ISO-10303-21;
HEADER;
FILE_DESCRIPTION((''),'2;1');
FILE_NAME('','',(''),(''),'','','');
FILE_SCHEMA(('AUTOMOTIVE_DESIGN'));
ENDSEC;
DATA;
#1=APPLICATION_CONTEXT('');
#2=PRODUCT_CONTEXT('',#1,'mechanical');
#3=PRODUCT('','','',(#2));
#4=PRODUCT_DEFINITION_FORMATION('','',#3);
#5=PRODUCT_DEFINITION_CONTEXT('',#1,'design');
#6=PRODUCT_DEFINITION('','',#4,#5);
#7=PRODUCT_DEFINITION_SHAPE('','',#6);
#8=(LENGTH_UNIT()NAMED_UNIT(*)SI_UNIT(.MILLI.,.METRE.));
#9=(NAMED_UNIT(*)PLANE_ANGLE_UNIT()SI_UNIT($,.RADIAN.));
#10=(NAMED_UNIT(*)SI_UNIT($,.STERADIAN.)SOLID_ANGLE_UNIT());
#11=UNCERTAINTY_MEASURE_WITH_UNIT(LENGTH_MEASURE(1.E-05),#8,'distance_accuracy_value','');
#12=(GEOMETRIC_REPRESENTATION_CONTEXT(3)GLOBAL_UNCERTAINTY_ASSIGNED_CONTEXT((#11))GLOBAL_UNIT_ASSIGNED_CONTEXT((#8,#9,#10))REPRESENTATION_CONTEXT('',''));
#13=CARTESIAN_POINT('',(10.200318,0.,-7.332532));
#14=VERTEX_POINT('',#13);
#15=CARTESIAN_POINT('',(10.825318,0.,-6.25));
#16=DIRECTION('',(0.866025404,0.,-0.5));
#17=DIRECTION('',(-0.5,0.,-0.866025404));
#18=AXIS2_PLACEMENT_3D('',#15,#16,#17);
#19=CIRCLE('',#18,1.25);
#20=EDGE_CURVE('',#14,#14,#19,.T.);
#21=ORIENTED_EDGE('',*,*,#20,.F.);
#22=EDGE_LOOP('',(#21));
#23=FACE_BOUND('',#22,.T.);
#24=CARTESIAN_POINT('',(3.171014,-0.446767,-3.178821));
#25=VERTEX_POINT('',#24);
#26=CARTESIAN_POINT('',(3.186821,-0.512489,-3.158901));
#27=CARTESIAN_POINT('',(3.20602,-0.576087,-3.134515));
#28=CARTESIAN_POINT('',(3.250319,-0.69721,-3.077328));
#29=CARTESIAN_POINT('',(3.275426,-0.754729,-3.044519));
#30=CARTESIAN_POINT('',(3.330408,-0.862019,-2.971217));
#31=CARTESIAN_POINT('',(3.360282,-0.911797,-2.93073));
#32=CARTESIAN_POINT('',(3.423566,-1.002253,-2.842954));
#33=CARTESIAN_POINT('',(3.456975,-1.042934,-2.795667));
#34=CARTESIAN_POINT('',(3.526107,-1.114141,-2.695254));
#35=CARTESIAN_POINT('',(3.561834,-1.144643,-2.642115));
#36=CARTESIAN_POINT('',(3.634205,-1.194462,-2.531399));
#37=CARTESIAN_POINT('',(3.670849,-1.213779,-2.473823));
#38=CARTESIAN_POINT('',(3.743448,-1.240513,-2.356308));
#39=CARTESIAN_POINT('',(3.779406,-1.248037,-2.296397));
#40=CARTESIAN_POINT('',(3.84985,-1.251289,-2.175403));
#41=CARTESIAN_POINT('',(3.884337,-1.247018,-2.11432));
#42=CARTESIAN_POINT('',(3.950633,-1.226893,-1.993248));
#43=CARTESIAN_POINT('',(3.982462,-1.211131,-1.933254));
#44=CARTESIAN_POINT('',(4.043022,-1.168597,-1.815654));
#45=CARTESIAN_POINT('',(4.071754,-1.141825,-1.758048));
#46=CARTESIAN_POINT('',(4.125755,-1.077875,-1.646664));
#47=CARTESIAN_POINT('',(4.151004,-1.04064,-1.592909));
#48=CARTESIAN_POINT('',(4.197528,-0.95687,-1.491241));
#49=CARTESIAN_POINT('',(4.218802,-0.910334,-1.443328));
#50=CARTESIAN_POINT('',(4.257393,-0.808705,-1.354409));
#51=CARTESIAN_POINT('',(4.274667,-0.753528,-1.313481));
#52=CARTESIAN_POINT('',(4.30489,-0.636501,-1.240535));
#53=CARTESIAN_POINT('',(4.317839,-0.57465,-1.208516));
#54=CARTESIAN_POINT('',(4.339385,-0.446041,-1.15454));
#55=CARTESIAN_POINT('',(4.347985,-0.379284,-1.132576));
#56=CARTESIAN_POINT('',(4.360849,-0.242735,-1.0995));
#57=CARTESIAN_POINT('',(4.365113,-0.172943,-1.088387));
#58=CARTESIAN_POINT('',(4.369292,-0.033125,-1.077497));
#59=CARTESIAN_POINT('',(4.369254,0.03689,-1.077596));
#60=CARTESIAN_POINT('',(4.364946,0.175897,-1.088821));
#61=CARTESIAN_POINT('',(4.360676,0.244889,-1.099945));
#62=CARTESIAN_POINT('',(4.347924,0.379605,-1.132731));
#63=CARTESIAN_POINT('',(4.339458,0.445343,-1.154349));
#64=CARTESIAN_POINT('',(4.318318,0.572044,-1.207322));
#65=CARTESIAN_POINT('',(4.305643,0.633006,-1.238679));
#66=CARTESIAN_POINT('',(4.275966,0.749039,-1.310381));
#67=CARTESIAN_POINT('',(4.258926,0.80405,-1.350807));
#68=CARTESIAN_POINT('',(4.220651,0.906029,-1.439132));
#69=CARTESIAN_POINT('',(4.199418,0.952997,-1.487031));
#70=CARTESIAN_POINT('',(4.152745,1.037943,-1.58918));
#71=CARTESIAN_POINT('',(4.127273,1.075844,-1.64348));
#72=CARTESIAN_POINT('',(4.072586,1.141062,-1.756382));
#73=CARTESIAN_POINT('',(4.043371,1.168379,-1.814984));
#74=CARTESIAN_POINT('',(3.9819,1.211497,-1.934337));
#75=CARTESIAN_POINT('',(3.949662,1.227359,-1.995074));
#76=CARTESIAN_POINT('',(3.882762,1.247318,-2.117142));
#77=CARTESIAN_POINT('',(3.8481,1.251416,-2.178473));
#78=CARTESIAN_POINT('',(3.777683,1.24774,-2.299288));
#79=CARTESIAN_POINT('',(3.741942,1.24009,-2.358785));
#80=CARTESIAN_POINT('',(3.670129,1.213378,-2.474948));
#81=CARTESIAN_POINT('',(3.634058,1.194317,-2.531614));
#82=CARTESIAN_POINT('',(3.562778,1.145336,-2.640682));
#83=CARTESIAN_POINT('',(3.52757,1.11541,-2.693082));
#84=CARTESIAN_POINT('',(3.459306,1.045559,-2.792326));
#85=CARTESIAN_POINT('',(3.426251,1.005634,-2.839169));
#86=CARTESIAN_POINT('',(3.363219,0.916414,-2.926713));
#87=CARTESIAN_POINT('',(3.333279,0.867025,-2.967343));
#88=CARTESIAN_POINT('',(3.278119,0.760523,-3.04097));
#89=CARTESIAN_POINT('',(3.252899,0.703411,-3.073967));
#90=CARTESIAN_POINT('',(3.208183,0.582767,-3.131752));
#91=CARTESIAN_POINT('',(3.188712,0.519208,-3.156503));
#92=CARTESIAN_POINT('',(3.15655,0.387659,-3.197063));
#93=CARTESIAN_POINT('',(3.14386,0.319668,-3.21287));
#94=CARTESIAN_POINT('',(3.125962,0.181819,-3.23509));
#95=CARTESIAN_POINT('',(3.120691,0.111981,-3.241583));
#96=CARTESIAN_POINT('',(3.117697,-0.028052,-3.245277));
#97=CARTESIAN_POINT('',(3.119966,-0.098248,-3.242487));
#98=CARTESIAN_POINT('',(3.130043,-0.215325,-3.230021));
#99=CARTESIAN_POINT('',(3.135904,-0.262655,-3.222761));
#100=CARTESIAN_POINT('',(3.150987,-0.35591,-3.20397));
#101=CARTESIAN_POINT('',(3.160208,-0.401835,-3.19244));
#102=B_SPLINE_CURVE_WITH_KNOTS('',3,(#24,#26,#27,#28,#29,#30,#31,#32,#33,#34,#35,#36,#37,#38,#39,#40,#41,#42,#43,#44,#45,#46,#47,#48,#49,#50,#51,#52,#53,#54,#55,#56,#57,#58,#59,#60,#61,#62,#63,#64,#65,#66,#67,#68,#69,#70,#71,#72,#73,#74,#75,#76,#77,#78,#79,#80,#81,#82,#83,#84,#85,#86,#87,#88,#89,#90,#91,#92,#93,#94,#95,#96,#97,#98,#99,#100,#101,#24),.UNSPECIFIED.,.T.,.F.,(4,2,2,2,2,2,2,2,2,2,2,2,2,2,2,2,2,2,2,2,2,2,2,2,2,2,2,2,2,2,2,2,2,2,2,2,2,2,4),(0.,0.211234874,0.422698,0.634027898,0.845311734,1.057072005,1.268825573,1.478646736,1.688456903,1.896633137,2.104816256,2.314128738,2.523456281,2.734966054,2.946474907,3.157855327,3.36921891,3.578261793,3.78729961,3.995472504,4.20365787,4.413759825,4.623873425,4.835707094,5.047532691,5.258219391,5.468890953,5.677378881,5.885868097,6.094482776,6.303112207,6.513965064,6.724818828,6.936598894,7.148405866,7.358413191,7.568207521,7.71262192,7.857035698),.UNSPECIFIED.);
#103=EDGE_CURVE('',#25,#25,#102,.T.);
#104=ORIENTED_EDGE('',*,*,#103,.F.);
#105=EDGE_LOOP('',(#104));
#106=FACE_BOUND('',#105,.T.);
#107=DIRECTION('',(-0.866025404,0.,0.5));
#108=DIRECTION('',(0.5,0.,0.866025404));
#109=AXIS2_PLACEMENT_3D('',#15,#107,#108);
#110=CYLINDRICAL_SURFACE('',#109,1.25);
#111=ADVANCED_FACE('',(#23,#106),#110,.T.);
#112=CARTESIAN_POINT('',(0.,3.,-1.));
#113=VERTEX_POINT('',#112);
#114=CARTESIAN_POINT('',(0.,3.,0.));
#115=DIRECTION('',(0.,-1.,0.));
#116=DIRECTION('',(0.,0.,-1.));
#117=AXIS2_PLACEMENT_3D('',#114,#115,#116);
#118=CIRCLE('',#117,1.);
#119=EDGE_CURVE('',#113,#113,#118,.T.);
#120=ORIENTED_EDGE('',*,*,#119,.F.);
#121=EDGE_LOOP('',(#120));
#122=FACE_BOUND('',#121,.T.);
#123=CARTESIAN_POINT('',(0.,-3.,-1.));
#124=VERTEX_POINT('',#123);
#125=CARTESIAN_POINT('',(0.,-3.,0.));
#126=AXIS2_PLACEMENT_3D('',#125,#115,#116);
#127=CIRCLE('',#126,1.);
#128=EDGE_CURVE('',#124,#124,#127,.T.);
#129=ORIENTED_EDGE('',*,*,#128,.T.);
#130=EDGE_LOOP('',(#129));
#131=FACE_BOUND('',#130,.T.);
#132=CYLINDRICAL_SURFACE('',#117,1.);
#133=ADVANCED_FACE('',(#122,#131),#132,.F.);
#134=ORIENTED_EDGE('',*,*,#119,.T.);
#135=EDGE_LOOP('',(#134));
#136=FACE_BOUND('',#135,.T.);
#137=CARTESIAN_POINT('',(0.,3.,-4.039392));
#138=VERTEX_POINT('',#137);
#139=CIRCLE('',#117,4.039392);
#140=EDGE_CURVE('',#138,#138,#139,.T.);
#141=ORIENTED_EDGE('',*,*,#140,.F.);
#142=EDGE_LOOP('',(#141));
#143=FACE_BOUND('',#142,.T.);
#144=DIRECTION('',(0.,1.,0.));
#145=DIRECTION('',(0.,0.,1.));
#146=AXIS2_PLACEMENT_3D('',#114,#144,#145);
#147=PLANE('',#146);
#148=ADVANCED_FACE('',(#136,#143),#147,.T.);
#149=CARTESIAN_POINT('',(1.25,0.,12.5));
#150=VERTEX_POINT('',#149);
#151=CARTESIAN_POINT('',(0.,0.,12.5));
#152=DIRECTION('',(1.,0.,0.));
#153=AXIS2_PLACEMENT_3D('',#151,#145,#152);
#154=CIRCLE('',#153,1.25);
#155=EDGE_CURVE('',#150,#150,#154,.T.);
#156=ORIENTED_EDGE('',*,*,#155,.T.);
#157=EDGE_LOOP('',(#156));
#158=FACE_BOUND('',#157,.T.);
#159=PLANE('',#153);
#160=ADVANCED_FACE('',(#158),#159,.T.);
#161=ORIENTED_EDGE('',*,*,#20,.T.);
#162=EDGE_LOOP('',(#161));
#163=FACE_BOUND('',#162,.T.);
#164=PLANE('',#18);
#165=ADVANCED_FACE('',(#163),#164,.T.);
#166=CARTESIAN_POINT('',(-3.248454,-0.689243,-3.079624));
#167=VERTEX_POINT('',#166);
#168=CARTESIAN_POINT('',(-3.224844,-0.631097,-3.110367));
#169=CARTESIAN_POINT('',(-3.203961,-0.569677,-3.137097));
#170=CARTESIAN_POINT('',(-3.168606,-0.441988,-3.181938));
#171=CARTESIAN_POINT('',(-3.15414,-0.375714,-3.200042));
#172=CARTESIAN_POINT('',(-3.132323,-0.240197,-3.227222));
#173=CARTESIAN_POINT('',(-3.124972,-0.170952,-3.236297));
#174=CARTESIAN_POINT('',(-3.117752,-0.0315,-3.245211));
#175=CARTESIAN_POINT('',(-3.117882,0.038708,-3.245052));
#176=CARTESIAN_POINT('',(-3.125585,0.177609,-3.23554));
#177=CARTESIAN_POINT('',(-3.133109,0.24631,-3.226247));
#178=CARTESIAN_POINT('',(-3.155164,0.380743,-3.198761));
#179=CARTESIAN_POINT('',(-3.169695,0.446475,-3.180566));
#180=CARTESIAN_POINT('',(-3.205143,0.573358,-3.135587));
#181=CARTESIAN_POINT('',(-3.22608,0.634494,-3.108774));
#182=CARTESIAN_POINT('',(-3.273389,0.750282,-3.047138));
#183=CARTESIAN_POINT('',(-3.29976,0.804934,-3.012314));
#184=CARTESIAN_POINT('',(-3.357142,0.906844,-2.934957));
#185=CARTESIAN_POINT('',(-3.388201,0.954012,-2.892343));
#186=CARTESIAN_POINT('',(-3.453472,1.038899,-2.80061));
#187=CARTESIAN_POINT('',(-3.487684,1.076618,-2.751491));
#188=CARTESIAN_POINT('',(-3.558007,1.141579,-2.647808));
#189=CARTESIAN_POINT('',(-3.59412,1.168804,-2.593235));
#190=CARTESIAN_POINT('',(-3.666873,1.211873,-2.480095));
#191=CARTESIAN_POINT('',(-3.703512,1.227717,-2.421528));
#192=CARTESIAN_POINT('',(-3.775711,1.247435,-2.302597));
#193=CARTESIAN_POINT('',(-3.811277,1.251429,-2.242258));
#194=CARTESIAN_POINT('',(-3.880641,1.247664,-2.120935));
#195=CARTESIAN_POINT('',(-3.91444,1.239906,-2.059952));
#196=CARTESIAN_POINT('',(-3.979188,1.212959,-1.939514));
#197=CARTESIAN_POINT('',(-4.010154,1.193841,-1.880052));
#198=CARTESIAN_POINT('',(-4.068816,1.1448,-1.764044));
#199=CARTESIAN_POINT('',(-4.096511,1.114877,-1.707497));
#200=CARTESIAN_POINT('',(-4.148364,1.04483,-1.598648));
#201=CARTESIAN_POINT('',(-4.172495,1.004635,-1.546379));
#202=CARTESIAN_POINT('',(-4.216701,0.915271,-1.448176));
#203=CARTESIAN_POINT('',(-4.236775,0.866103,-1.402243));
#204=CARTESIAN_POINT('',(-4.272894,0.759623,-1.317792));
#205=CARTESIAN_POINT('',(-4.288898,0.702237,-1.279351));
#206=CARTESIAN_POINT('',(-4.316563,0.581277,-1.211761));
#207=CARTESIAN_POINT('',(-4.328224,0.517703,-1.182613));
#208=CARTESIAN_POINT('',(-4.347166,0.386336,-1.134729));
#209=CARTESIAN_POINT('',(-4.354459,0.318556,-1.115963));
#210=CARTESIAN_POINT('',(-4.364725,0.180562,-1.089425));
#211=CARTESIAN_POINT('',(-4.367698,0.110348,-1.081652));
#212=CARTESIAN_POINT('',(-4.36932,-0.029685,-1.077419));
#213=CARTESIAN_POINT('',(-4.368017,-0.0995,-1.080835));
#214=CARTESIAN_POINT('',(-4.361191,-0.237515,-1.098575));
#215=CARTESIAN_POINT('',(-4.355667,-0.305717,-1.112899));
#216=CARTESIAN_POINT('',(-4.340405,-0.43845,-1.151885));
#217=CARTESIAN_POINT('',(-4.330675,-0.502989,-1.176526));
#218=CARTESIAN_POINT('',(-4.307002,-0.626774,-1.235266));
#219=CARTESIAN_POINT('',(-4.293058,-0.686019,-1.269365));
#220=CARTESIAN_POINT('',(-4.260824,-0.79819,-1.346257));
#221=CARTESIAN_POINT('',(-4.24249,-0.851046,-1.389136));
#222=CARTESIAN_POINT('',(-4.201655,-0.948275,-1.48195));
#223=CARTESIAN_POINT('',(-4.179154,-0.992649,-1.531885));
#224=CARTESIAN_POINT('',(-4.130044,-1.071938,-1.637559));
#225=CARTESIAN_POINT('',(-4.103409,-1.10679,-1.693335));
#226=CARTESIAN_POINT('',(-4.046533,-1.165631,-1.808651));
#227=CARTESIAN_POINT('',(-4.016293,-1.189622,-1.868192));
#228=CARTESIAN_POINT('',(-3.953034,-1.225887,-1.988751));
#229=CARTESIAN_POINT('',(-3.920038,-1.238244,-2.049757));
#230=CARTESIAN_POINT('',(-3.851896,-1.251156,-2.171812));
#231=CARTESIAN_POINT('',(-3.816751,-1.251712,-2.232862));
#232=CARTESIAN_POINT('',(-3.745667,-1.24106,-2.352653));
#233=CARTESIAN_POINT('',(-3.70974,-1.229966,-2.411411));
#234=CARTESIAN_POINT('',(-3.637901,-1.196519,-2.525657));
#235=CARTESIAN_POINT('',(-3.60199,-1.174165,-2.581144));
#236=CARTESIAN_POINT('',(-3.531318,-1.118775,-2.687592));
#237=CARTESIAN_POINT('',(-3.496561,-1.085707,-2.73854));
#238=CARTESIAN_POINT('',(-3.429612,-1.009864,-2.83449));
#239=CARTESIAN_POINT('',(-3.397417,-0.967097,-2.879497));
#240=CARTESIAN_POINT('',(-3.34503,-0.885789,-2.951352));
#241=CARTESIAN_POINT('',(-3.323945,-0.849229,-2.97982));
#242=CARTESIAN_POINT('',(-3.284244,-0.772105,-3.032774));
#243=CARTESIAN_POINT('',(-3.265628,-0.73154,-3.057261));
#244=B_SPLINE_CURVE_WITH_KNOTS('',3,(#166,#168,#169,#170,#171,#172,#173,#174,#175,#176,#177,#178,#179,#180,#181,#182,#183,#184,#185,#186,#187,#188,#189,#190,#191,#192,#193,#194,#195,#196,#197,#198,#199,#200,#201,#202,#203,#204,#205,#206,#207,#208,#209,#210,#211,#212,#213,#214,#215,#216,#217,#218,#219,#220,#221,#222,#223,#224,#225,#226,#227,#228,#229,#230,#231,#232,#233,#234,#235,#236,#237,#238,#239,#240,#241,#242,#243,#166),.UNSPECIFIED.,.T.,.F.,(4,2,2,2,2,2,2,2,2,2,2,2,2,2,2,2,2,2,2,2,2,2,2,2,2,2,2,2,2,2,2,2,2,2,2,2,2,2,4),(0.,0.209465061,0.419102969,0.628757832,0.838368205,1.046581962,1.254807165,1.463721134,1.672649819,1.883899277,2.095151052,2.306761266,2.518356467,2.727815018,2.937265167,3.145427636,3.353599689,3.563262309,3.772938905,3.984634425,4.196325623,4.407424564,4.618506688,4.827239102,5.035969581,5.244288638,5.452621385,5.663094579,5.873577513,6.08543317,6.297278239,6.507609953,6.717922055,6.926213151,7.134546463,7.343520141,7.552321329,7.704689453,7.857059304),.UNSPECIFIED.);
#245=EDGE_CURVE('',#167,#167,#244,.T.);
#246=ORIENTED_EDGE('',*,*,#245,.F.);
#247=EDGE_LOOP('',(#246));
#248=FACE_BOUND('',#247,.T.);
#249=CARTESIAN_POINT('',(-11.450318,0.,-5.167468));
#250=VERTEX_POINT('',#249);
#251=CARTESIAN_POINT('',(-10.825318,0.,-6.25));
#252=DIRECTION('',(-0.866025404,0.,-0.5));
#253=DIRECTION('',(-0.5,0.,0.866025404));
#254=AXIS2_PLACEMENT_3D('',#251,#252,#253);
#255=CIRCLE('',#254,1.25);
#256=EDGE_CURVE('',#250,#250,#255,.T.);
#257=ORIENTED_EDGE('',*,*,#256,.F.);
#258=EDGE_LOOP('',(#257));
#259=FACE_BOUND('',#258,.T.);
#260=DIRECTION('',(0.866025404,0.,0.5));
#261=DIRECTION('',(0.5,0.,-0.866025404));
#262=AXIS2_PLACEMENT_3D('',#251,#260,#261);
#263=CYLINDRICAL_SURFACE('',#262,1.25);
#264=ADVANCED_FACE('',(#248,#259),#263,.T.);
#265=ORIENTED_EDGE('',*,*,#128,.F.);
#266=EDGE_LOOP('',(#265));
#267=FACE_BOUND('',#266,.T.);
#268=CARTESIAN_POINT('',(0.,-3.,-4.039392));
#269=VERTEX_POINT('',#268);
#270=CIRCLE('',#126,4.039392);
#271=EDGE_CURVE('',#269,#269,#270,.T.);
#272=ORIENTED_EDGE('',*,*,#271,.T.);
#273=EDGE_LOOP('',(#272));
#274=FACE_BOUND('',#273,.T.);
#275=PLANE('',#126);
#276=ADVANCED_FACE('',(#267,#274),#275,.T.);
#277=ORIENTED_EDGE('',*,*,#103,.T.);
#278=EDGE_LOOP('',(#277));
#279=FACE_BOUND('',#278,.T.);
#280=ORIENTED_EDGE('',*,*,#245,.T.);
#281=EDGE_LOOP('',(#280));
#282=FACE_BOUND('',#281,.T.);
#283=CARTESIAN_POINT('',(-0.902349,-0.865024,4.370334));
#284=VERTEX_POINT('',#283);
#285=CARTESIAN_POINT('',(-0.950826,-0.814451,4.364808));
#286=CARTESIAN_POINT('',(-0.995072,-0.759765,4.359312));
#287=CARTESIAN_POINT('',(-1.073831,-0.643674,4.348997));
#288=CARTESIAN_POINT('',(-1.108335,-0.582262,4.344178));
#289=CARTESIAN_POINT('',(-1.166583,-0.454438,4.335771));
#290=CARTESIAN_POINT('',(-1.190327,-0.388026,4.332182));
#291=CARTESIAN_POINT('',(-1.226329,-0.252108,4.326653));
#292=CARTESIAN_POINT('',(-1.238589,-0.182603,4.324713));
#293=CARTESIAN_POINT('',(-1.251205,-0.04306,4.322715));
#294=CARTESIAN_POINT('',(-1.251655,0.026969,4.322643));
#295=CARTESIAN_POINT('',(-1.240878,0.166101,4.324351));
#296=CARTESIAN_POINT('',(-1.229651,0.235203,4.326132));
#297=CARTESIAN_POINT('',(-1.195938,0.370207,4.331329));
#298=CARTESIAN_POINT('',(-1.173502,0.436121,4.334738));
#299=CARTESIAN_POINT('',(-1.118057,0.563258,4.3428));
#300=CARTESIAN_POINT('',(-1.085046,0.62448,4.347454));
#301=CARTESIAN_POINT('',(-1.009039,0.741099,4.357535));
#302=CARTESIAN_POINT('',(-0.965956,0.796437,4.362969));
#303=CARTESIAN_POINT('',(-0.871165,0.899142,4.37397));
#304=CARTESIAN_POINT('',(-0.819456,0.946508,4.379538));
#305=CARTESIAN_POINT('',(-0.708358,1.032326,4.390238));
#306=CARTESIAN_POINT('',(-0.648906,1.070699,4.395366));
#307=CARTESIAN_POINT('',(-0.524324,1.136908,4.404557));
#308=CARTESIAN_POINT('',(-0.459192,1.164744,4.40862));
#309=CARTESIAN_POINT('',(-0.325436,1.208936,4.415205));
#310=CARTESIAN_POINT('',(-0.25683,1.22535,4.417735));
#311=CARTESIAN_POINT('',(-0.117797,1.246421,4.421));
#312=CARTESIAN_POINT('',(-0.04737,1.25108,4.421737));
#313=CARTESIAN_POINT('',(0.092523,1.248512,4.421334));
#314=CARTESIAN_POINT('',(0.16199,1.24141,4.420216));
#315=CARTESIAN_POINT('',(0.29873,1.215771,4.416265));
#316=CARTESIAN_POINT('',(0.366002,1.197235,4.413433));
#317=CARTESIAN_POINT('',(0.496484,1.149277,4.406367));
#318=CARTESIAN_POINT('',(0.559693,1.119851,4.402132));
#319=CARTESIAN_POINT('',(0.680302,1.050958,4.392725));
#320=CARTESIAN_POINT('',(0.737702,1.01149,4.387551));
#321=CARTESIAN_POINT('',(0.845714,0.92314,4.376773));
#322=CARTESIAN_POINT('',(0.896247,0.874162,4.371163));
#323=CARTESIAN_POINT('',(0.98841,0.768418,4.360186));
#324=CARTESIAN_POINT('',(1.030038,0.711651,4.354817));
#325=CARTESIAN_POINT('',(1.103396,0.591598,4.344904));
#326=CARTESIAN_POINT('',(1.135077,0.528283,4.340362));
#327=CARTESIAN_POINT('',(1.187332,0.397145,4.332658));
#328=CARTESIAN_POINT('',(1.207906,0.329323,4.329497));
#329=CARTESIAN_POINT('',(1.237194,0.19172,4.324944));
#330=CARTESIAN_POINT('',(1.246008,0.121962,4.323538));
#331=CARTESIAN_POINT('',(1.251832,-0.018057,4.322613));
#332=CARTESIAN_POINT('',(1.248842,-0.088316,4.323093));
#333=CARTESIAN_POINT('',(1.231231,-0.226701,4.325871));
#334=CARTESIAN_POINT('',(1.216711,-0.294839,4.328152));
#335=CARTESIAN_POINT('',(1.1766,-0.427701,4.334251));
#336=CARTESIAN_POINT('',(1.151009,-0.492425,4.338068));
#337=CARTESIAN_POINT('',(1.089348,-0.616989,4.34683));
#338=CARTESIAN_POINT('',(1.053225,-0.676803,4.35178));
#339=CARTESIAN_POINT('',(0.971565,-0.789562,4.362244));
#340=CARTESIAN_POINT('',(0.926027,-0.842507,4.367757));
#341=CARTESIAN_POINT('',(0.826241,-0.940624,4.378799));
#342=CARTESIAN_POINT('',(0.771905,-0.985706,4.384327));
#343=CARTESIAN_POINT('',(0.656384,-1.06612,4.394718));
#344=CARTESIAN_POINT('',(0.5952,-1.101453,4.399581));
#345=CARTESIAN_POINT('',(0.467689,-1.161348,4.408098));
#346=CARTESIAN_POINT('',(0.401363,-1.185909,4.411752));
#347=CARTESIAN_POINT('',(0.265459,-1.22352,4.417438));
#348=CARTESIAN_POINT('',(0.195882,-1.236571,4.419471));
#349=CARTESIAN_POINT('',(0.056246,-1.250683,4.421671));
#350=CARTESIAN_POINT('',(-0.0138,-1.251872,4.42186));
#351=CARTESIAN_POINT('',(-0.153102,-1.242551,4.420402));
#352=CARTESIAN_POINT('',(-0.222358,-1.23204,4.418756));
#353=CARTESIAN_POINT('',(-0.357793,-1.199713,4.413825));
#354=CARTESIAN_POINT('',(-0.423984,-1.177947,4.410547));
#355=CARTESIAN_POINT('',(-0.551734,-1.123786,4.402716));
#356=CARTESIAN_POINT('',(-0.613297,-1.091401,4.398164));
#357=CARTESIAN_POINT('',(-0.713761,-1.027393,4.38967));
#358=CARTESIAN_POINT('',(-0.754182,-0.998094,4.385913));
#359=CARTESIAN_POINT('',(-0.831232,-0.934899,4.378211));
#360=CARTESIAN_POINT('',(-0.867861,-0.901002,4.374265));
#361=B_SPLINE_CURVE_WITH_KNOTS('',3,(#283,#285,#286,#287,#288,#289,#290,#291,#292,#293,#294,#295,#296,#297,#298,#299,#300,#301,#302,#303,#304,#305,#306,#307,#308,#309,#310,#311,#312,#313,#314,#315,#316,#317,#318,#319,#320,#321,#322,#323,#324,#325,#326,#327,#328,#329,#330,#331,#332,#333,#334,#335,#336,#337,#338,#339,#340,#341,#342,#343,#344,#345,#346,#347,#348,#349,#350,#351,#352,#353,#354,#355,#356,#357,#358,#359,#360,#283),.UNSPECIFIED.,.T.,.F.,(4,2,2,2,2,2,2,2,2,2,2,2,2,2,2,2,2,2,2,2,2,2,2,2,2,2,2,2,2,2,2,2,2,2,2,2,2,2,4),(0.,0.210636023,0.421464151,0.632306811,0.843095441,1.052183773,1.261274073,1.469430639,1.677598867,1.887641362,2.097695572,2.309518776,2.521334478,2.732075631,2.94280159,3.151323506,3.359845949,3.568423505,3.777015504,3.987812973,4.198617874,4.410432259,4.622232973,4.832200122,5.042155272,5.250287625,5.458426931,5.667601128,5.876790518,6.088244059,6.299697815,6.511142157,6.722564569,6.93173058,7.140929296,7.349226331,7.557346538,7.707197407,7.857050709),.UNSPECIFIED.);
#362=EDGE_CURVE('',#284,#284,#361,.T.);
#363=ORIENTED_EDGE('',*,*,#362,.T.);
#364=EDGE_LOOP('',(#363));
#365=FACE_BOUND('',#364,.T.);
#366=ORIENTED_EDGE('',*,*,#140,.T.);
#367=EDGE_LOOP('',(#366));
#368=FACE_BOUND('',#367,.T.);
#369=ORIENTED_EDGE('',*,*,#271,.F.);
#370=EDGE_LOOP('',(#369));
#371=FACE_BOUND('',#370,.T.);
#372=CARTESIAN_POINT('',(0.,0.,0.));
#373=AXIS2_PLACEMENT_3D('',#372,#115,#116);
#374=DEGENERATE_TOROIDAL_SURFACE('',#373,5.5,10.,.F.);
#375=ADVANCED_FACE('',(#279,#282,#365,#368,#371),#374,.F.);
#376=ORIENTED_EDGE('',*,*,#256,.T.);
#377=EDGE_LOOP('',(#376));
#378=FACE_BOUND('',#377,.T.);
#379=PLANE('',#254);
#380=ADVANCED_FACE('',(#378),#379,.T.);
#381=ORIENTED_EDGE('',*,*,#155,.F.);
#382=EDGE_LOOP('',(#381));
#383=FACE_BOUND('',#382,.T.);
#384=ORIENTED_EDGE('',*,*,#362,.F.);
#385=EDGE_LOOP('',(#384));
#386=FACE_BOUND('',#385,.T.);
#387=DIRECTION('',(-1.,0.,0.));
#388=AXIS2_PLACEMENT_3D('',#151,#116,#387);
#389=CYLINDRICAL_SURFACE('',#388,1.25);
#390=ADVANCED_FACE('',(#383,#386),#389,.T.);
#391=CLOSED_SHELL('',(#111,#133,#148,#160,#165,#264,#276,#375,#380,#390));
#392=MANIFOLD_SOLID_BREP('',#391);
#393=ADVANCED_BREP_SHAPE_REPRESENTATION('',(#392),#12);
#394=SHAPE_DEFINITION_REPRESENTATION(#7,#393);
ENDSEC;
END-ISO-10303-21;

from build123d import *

# Parameters (mm, degrees)
ESQUISSE3_R                  = 1.25
BOSS_EXTRU_1_DEPTH           = 12.5
R_P_TITION_CIRCULAIRE1_COUNT = 3
ESQUISSE2_R                  = 1
ENL_V_MAT_EXTRU_2_DEPTH      = 7.0000001


with BuildPart() as part:
    # Esquisse1 → Base-Révolution (revolve)
    with BuildSketch(Plane.XY):
        with BuildLine():
            Line((0, 3), (4.039392014, 3))
            ThreePointArc((4.039392014, 3), (4.5, 0), (4.039392014, -3))
            Line((4.039392014, -3), (0, -3))
            Line((0, -3), (0, 3))
        make_face()
    revolve(axis=Axis((0, -3, 0), (0, 1, 0)))

    # Esquisse3 → Boss.-Extru.1 (add)
    with BuildSketch(Plane.XY):
        Circle(ESQUISSE3_R)
    boss_extru_1 = extrude(amount=BOSS_EXTRU_1_DEPTH)

    # Répétition circulaire1: Boss.-Extru.1 ×3 about axis
    r_p_tition_circulaire1_axis = Axis((0, -3, 0), (0, 1, 0))
    for i in range(1, R_P_TITION_CIRCULAIRE1_COUNT):
        add(boss_extru_1.rotate(r_p_tition_circulaire1_axis, i * 360 / R_P_TITION_CIRCULAIRE1_COUNT))

    # Esquisse2 → Enlèv. mat.-Extru.2 (cut, through all)
    with BuildSketch(Plane.XZ.offset(3)):
        Circle(ESQUISSE2_R)
    extrude(amount=-ENL_V_MAT_EXTRU_2_DEPTH, mode=Mode.SUBTRACT)


solid = part.part
